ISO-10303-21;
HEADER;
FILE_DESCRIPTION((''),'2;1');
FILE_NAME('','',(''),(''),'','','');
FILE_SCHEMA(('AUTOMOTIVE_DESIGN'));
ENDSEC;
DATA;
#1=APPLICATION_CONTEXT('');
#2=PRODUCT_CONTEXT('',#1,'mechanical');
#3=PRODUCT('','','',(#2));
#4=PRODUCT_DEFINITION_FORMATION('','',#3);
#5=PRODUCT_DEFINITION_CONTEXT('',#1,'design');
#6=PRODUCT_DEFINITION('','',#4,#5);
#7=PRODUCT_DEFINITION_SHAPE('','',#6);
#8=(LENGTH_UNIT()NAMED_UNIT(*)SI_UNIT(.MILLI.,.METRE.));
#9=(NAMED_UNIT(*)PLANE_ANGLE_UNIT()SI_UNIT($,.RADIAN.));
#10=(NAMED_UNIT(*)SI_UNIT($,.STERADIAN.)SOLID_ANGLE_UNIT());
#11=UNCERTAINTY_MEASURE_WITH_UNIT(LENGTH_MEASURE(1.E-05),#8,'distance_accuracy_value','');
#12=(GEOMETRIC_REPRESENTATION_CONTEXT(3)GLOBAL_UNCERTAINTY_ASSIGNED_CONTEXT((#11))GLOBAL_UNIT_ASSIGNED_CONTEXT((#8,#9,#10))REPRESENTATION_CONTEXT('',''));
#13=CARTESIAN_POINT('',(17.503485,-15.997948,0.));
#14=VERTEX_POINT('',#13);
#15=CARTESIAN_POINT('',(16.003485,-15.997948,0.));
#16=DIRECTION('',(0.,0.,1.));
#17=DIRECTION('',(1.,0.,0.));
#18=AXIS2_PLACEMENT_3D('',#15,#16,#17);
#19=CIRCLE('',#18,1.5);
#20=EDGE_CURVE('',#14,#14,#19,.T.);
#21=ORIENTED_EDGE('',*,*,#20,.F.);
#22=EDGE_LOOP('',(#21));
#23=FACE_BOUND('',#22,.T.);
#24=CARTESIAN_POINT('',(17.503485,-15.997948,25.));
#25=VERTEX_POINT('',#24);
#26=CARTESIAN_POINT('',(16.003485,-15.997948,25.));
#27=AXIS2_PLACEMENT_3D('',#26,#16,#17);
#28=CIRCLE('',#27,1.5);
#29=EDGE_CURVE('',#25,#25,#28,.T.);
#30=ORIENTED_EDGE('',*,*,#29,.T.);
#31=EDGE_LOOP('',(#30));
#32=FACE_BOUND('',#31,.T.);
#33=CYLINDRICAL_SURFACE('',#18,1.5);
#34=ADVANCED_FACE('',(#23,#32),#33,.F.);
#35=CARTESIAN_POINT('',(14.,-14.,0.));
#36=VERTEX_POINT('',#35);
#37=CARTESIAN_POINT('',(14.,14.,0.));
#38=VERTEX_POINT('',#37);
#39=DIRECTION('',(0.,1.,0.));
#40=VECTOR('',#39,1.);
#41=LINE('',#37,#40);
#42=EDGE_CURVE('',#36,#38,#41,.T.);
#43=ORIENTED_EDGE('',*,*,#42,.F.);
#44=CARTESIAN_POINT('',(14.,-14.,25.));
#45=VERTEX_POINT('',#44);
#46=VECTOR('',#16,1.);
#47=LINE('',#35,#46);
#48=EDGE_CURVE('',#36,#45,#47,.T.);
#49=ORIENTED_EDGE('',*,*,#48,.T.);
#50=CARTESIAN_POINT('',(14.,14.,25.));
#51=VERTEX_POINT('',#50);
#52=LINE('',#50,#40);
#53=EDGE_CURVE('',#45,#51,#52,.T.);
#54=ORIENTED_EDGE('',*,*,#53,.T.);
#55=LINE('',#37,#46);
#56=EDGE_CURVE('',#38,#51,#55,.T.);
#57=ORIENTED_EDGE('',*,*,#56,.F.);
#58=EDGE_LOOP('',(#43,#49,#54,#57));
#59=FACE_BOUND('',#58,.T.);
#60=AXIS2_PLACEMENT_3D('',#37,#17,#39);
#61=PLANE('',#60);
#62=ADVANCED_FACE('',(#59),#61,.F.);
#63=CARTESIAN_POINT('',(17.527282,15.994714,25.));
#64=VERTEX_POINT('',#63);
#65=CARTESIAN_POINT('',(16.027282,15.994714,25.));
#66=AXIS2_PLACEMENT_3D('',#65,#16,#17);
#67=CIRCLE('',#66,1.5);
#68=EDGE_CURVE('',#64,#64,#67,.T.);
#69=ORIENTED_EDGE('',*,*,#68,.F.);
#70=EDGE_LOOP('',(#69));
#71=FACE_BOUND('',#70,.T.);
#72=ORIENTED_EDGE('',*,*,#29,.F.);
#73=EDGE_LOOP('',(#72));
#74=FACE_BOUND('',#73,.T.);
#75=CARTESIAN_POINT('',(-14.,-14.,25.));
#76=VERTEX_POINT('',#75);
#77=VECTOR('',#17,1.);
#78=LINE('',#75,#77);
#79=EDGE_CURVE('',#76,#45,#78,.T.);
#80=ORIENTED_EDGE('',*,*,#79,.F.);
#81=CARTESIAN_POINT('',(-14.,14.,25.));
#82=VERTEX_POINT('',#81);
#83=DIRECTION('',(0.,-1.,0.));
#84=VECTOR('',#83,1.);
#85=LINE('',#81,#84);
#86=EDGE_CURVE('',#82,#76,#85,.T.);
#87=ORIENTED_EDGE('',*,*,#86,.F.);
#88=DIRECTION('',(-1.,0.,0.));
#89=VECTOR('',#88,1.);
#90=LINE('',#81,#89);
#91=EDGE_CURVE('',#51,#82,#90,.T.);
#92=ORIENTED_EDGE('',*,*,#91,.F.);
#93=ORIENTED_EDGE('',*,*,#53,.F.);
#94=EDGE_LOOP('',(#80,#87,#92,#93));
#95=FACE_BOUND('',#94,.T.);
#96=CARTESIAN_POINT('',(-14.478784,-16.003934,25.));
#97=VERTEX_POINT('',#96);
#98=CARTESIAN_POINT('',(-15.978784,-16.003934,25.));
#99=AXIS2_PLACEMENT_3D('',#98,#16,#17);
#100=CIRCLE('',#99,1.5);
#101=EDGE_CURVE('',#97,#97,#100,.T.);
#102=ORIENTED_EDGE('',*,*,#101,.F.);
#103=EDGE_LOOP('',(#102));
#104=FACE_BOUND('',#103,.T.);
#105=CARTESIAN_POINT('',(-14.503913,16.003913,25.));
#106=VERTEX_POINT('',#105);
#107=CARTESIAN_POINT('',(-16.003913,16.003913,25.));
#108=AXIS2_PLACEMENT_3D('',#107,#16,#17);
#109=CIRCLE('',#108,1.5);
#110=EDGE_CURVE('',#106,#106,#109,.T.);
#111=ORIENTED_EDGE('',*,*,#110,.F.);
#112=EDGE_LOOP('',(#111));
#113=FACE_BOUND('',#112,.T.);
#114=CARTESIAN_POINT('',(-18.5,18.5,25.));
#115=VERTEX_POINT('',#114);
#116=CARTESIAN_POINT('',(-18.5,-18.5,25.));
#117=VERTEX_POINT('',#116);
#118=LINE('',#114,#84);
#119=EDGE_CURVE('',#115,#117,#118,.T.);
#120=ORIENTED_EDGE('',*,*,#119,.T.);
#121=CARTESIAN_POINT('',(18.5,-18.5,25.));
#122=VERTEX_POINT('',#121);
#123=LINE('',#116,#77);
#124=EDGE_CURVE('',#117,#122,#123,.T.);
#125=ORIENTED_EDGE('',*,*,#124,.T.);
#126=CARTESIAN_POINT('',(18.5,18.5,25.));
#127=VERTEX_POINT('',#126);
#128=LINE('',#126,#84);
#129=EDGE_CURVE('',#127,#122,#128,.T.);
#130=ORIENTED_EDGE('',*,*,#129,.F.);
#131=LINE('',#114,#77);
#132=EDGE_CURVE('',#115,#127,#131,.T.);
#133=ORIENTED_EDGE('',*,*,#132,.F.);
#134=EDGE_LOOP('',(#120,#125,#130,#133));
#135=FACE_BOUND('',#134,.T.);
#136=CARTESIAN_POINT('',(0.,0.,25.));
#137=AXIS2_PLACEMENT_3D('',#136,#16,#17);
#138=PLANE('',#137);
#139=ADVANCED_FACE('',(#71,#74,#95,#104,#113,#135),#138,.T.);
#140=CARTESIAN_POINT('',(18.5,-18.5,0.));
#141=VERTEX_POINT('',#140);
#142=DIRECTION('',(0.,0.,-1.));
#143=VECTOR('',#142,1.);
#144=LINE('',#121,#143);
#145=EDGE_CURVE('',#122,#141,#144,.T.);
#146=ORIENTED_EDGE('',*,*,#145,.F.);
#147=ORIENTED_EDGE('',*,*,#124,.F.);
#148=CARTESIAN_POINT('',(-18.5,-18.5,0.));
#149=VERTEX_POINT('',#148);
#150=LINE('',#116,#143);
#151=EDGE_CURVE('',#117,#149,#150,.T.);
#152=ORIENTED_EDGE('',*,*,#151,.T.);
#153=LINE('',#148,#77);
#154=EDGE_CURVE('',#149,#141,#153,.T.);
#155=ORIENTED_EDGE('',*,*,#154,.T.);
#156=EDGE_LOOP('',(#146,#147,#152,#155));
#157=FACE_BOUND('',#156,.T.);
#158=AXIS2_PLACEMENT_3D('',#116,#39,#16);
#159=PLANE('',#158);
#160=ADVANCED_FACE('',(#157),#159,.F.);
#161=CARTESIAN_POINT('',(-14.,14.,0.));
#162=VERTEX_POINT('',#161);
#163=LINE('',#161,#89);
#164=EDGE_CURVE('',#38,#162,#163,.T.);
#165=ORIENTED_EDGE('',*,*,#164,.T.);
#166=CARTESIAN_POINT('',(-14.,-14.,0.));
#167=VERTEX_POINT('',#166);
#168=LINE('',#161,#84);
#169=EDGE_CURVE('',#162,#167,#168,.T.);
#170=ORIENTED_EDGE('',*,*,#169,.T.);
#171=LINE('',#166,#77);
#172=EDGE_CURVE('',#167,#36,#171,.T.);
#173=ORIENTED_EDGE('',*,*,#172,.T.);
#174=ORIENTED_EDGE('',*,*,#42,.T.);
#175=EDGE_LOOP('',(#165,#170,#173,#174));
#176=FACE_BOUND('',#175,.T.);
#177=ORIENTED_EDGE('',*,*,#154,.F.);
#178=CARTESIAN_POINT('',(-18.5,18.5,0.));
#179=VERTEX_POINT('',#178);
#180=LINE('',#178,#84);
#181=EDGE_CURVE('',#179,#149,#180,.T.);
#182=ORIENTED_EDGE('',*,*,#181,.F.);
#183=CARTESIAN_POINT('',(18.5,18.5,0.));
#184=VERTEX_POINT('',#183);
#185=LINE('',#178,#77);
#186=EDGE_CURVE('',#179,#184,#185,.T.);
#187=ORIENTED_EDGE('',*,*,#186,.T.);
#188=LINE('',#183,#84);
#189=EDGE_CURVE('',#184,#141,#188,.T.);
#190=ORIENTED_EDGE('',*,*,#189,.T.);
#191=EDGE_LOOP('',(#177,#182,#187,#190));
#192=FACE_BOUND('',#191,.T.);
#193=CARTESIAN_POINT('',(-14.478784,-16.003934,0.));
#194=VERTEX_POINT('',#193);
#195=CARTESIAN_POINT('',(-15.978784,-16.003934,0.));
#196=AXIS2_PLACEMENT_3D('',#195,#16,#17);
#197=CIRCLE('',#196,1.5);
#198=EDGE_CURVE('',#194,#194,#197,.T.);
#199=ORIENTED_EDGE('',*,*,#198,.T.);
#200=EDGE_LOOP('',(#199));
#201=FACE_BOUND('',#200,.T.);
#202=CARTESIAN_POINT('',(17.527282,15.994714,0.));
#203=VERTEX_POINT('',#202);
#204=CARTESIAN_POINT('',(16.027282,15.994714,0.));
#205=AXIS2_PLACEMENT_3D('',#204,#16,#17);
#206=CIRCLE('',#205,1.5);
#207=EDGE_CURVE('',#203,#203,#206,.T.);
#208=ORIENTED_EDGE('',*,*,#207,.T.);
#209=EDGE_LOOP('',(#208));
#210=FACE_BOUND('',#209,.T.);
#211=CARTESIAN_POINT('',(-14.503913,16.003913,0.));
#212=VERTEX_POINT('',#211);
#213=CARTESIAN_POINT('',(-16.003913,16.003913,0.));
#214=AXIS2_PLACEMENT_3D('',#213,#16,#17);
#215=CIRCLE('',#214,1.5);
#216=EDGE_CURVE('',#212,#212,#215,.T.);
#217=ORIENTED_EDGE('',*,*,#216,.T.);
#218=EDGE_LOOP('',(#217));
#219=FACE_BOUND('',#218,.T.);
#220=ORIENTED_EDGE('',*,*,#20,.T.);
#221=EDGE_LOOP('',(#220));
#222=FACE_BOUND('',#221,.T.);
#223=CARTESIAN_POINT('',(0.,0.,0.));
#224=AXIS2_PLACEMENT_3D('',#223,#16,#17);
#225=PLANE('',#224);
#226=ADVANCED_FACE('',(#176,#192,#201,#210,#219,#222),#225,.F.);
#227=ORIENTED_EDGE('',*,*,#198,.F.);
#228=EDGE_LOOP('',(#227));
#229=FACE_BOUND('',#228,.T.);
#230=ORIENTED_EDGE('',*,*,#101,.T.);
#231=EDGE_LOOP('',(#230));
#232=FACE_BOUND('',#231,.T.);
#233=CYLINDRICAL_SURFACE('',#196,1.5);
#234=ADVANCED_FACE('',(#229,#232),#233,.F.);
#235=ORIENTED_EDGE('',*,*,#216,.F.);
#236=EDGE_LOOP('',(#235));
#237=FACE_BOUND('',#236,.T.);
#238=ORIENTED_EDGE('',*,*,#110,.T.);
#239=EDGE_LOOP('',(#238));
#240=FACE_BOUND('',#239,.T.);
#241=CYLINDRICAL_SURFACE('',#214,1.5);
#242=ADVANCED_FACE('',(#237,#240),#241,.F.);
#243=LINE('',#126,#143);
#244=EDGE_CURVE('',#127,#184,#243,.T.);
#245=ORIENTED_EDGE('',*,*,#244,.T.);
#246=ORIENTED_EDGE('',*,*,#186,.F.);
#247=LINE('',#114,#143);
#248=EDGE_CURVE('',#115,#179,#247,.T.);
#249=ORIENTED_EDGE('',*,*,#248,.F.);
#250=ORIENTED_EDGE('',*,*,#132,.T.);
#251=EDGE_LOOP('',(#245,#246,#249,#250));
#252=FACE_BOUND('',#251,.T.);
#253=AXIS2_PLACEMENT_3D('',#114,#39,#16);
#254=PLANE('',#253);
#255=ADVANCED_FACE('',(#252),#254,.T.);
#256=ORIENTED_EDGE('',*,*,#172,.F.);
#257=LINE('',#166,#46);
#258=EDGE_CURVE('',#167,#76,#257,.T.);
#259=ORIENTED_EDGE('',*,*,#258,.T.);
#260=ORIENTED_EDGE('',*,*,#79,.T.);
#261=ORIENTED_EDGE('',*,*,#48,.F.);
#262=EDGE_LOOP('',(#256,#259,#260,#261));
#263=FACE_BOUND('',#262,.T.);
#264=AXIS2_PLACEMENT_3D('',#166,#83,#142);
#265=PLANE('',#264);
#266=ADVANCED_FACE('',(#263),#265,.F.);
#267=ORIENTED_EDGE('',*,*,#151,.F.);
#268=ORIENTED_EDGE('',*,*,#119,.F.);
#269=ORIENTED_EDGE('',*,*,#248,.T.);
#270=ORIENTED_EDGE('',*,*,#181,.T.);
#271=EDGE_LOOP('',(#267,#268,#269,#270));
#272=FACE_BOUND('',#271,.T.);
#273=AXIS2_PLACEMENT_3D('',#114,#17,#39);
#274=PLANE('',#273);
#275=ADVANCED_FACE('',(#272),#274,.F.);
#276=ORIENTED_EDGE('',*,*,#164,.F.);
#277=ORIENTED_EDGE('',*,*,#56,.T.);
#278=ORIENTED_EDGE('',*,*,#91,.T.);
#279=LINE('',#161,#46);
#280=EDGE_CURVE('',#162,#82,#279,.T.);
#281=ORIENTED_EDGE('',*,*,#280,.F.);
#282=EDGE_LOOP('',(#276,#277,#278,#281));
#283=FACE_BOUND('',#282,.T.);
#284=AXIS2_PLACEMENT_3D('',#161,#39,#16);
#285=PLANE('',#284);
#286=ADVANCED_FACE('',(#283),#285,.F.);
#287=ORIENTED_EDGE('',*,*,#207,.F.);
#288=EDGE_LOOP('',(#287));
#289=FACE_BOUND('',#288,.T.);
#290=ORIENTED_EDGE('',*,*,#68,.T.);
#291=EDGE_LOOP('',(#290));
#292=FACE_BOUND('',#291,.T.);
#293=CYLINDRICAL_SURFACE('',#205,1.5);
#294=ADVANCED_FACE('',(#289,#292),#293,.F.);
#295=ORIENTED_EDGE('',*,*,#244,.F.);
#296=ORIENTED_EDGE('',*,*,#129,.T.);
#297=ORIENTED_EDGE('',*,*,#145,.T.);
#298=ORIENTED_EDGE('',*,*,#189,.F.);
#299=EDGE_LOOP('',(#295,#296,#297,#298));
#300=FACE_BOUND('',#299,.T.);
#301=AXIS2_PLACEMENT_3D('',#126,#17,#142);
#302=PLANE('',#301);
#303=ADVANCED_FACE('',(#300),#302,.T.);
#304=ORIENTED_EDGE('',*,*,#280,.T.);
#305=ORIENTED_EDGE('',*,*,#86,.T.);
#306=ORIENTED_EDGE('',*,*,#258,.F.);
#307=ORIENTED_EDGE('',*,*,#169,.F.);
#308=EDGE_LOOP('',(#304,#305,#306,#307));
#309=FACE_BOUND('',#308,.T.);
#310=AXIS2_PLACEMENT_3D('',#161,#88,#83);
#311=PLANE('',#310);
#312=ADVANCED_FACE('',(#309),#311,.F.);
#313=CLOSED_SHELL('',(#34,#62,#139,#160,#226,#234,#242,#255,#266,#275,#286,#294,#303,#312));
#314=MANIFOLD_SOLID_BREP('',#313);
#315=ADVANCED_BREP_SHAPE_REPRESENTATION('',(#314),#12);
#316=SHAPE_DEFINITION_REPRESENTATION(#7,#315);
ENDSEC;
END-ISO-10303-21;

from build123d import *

# Parameters (mm, degrees)
SKETCH1_W           = 37
SKETCH1_H           = 37
BOSS_EXTRUDE1_DEPTH = 25
SKETCH2_W           = 28
SKETCH2_H           = 28
CUT_EXTRUDE1_DEPTH  = 37.187014245
SKETCH6_R           = 1.5
CUT_EXTRUDE3_DEPTH  = 37.187014245


with BuildPart() as part:
    # Sketch1 → Boss-Extrude1 (new body)
    with BuildSketch(Plane.XY):
        Rectangle(SKETCH1_W, SKETCH1_H)
    extrude(amount=BOSS_EXTRUDE1_DEPTH)

    # Sketch2 → Cut-Extrude1 (cut, through all)
    with BuildSketch(Plane.XY.offset(25)):
        Rectangle(SKETCH2_W, SKETCH2_H)
    extrude(amount=-CUT_EXTRUDE1_DEPTH, mode=Mode.SUBTRACT)

    # Sketch6 → Cut-Extrude3 (cut, through all)
    with BuildSketch(Plane.XY.offset(25)):
        with Locations((-16.003913062, 16.003913062)):
            Circle(SKETCH6_R)
        with Locations((16.027281765, 15.994713508)):
            Circle(SKETCH6_R)
        with Locations((16.003485412, -15.997947579)):
            Circle(SKETCH6_R)
        with Locations((-15.978784004, -16.00393382)):
            Circle(SKETCH6_R)
    extrude(amount=-CUT_EXTRUDE3_DEPTH, mode=Mode.SUBTRACT)


solid = part.part
